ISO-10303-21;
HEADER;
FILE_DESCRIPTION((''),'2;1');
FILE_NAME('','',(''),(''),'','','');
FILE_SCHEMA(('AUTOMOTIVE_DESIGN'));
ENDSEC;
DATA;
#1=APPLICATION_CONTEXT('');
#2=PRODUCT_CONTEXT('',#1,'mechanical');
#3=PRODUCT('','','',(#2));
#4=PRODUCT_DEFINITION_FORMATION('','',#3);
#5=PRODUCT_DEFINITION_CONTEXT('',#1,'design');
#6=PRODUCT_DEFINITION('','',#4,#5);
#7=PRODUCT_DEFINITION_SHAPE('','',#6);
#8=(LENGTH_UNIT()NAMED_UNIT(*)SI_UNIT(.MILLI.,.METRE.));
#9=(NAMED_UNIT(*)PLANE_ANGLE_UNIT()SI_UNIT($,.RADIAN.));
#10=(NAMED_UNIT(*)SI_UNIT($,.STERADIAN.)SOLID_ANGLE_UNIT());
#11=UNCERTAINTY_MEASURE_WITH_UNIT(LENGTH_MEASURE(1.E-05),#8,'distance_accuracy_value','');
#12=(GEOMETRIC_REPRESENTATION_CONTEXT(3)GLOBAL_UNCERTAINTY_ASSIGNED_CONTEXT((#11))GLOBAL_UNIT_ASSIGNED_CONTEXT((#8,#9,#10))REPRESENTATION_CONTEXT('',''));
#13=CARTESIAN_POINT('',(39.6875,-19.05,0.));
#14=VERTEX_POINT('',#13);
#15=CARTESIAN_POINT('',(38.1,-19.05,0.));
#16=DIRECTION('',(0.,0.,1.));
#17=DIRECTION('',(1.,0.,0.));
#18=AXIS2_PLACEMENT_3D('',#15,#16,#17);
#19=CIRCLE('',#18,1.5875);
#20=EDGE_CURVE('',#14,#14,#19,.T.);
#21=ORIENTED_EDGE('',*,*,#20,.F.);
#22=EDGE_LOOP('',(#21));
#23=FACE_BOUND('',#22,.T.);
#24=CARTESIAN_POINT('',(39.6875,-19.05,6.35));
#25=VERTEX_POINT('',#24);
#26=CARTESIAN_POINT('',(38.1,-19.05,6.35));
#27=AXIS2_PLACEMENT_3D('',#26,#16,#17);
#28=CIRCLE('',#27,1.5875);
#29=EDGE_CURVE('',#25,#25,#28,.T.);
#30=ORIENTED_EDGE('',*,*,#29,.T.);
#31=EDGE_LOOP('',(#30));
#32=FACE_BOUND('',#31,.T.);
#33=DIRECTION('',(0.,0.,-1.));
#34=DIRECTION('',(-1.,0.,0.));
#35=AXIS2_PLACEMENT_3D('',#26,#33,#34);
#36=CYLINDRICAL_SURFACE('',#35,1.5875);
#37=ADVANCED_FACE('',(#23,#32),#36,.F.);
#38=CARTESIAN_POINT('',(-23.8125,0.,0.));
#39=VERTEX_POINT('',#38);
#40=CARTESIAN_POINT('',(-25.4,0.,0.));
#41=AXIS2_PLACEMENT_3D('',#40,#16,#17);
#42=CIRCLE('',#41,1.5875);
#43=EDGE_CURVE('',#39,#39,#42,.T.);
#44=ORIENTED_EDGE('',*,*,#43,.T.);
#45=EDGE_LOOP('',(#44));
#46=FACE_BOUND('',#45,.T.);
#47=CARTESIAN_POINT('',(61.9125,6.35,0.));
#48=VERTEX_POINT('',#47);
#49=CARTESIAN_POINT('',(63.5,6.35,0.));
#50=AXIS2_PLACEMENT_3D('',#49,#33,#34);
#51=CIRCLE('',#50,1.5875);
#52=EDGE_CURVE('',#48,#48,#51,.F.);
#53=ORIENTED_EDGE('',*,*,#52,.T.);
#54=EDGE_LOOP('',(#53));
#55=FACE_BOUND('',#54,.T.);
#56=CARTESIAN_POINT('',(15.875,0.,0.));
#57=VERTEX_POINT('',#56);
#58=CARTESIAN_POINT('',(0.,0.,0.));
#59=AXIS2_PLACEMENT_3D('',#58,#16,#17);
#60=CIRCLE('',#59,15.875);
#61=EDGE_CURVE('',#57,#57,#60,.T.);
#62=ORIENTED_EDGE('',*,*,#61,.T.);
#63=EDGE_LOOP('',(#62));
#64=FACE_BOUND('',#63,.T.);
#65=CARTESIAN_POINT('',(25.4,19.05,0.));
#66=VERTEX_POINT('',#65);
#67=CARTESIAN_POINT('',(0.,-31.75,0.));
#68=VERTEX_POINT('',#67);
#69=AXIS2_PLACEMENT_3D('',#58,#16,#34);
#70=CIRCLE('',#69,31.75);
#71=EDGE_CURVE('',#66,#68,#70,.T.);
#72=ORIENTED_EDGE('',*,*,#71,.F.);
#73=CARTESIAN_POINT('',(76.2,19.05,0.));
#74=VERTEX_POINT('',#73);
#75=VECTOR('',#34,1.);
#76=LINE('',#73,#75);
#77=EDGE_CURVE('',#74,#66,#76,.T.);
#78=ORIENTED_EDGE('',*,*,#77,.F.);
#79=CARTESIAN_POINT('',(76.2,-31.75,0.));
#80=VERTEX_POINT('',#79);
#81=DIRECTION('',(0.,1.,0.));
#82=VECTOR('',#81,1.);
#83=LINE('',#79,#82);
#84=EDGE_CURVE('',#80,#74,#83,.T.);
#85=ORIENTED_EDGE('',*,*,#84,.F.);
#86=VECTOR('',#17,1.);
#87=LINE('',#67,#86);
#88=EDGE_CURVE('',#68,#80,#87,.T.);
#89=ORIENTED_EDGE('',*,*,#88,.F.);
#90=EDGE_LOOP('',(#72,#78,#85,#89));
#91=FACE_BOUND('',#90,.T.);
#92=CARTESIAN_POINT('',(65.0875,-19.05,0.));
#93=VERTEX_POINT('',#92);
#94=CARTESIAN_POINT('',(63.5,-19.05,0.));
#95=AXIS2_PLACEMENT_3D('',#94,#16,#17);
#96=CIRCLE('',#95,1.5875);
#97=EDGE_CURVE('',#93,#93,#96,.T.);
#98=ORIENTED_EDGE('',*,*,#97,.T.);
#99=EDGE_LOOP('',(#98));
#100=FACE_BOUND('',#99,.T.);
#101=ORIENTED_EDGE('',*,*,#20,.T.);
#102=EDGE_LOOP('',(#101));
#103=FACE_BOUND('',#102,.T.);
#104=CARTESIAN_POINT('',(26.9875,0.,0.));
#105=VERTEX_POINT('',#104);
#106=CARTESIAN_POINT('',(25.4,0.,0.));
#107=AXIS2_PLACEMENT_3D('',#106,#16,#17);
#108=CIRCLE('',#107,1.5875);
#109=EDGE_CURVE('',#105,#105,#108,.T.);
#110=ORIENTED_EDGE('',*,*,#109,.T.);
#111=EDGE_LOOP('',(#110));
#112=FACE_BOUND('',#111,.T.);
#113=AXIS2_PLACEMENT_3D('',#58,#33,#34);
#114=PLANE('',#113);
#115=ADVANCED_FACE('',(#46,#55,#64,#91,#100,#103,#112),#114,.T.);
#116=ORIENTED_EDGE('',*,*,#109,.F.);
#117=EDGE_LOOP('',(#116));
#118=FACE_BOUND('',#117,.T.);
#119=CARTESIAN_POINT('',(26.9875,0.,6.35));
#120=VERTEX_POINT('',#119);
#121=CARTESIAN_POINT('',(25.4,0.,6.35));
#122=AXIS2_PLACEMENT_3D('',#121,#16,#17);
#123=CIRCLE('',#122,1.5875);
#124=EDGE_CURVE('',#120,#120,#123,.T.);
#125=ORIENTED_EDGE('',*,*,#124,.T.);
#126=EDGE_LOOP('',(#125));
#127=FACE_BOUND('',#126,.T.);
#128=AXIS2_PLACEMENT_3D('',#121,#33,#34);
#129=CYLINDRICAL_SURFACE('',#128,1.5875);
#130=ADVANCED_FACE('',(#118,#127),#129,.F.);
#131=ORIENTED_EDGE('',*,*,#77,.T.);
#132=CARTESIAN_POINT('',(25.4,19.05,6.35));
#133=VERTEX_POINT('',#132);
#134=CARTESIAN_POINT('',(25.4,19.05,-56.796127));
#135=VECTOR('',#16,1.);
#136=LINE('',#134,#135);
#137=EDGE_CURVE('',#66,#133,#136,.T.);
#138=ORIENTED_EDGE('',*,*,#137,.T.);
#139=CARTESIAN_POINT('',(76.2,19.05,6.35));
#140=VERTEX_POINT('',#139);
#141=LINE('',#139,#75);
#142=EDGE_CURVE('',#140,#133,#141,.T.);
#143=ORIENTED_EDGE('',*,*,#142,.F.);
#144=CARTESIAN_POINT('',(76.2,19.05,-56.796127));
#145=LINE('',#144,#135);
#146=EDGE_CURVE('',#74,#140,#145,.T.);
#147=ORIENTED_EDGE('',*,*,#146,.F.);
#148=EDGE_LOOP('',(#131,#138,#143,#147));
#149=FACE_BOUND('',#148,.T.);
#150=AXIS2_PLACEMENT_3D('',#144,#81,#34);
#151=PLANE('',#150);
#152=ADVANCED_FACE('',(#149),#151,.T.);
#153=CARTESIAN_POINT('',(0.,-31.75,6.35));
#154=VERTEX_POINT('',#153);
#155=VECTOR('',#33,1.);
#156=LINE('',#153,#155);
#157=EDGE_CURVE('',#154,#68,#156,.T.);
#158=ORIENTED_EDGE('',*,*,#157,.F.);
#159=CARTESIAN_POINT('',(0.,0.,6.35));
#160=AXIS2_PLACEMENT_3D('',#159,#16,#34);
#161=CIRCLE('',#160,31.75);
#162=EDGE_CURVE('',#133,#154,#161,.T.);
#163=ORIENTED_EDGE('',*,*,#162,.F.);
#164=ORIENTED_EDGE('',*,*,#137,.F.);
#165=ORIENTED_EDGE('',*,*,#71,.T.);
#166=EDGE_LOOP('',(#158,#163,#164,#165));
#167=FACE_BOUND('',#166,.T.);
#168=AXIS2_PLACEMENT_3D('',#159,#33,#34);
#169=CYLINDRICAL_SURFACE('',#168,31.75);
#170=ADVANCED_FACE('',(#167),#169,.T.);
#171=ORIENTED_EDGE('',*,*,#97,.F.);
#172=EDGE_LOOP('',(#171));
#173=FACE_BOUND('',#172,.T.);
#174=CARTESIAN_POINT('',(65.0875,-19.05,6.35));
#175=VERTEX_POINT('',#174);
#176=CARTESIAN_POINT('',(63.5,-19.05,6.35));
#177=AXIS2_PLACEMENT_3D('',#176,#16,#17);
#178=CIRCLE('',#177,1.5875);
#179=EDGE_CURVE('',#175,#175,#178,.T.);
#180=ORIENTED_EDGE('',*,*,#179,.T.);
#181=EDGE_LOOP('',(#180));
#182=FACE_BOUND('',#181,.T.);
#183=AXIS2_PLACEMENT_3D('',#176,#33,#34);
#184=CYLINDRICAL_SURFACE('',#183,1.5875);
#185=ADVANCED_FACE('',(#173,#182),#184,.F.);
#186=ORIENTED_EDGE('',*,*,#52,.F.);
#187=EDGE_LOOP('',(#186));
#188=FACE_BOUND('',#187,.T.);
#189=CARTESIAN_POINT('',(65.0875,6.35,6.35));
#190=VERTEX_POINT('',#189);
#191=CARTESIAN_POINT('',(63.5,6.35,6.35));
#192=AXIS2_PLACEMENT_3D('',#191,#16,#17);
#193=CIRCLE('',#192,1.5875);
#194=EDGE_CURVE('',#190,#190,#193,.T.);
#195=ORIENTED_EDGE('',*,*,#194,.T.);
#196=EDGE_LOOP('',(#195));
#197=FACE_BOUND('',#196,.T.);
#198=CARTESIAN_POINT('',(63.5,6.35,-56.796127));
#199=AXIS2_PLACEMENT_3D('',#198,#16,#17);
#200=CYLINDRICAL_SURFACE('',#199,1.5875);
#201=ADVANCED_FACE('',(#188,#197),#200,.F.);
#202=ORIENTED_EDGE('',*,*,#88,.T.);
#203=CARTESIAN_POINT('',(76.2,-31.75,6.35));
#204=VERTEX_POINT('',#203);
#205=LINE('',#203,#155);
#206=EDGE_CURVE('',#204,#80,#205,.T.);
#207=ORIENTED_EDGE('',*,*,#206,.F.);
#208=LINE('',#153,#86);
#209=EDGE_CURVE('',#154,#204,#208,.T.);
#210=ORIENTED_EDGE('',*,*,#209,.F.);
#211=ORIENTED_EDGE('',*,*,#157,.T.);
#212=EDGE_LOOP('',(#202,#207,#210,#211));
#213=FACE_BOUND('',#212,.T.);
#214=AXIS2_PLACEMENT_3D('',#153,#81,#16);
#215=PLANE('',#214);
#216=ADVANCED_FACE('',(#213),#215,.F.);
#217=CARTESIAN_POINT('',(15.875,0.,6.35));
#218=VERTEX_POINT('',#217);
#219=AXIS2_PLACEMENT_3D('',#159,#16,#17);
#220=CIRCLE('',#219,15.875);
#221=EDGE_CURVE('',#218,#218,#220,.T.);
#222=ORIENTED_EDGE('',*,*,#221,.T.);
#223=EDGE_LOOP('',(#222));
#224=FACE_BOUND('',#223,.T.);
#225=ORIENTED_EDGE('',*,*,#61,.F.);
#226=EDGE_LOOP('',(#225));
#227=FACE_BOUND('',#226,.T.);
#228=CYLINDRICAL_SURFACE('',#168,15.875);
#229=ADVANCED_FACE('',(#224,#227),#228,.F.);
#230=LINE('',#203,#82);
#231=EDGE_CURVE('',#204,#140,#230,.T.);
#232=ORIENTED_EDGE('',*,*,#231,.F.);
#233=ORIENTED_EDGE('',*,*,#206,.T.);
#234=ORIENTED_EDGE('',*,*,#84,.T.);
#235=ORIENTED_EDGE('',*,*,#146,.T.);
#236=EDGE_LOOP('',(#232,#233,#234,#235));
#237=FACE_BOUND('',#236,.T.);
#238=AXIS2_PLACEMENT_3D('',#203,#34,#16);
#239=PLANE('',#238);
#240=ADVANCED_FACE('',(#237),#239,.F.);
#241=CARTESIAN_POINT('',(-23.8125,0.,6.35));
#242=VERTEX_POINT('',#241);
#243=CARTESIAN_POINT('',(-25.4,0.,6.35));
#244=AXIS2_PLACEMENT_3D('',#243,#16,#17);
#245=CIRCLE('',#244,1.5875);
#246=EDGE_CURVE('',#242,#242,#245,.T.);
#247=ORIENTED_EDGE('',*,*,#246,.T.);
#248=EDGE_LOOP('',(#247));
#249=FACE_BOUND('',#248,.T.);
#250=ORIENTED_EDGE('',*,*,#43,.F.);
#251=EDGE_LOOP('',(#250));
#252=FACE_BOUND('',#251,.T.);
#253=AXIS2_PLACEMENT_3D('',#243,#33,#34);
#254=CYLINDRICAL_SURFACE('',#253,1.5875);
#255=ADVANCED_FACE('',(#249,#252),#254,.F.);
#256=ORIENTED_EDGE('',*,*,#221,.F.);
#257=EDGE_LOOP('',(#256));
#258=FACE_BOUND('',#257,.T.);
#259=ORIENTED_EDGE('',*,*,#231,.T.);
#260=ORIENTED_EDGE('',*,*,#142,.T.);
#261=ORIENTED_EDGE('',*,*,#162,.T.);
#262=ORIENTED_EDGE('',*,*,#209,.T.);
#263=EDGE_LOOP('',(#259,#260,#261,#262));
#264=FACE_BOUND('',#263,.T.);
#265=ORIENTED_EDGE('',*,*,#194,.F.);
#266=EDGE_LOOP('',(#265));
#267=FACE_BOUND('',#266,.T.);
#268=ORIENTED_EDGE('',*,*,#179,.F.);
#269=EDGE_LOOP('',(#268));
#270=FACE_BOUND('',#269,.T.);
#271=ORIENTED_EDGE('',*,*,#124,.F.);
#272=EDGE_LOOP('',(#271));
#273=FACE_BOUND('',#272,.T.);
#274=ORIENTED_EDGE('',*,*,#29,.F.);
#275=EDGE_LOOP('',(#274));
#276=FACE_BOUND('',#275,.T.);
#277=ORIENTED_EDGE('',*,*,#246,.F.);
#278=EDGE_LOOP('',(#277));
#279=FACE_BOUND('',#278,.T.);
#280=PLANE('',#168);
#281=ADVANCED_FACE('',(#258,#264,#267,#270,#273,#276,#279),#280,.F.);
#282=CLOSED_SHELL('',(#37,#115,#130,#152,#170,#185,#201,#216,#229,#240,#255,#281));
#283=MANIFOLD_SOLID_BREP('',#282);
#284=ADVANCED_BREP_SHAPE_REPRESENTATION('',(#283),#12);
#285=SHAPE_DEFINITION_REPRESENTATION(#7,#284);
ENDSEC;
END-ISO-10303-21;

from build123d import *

# Parameters (mm, degrees)
SKETCH1_R           = 15.875
SKETCH1_R_2         = 1.5875
BOSS_EXTRUDE1_DEPTH = 6.35
BOSS_EXTRUDE2_START = -6.35
SKETCH2_R           = 1.5875
BOSS_EXTRUDE2_DEPTH = 6.35


with BuildPart() as part:
    # Sketch1 → Boss-Extrude1 (new body)
    with BuildSketch(Plane.XY):
        with BuildLine():
            Line((0, -31.75), (76.2, -31.75))
            Line((76.2, -31.75), (76.2, -6.35))
            Line((76.2, -6.35), (31.108519733, -6.35))
            ThreePointArc((31.108519733, -6.35), (-20.080463142, 24.593444248), (0, -31.75))
        make_face()
        Circle(SKETCH1_R, mode=Mode.SUBTRACT)
        with Locations((-25.4, 0)):
            Circle(SKETCH1_R_2, mode=Mode.SUBTRACT)
        with Locations((25.4, 0)):
            Circle(SKETCH1_R_2, mode=Mode.SUBTRACT)
        with Locations((38.1, -19.05)):
            Circle(SKETCH1_R_2, mode=Mode.SUBTRACT)
        with Locations((63.5, -19.05)):
            Circle(SKETCH1_R_2, mode=Mode.SUBTRACT)
    extrude(amount=BOSS_EXTRUDE1_DEPTH)

    # Sketch2 → Boss-Extrude2 (add)
    with BuildSketch(Plane.XY.offset(6.35).offset(BOSS_EXTRUDE2_START)):
        with BuildLine():
            Line((76.2, -6.35), (76.2, 19.05))
            Line((76.2, 19.05), (25.4, 19.05))
            ThreePointArc((25.4, 19.05), (30.977301377, 6.961989614), (31.108519733, -6.35))
            Line((31.108519733, -6.35), (76.2, -6.35))
        make_face()
        with Locations((63.5, 6.35)):
            Circle(SKETCH2_R, mode=Mode.SUBTRACT)
    extrude(amount=BOSS_EXTRUDE2_DEPTH)


solid = part.part
